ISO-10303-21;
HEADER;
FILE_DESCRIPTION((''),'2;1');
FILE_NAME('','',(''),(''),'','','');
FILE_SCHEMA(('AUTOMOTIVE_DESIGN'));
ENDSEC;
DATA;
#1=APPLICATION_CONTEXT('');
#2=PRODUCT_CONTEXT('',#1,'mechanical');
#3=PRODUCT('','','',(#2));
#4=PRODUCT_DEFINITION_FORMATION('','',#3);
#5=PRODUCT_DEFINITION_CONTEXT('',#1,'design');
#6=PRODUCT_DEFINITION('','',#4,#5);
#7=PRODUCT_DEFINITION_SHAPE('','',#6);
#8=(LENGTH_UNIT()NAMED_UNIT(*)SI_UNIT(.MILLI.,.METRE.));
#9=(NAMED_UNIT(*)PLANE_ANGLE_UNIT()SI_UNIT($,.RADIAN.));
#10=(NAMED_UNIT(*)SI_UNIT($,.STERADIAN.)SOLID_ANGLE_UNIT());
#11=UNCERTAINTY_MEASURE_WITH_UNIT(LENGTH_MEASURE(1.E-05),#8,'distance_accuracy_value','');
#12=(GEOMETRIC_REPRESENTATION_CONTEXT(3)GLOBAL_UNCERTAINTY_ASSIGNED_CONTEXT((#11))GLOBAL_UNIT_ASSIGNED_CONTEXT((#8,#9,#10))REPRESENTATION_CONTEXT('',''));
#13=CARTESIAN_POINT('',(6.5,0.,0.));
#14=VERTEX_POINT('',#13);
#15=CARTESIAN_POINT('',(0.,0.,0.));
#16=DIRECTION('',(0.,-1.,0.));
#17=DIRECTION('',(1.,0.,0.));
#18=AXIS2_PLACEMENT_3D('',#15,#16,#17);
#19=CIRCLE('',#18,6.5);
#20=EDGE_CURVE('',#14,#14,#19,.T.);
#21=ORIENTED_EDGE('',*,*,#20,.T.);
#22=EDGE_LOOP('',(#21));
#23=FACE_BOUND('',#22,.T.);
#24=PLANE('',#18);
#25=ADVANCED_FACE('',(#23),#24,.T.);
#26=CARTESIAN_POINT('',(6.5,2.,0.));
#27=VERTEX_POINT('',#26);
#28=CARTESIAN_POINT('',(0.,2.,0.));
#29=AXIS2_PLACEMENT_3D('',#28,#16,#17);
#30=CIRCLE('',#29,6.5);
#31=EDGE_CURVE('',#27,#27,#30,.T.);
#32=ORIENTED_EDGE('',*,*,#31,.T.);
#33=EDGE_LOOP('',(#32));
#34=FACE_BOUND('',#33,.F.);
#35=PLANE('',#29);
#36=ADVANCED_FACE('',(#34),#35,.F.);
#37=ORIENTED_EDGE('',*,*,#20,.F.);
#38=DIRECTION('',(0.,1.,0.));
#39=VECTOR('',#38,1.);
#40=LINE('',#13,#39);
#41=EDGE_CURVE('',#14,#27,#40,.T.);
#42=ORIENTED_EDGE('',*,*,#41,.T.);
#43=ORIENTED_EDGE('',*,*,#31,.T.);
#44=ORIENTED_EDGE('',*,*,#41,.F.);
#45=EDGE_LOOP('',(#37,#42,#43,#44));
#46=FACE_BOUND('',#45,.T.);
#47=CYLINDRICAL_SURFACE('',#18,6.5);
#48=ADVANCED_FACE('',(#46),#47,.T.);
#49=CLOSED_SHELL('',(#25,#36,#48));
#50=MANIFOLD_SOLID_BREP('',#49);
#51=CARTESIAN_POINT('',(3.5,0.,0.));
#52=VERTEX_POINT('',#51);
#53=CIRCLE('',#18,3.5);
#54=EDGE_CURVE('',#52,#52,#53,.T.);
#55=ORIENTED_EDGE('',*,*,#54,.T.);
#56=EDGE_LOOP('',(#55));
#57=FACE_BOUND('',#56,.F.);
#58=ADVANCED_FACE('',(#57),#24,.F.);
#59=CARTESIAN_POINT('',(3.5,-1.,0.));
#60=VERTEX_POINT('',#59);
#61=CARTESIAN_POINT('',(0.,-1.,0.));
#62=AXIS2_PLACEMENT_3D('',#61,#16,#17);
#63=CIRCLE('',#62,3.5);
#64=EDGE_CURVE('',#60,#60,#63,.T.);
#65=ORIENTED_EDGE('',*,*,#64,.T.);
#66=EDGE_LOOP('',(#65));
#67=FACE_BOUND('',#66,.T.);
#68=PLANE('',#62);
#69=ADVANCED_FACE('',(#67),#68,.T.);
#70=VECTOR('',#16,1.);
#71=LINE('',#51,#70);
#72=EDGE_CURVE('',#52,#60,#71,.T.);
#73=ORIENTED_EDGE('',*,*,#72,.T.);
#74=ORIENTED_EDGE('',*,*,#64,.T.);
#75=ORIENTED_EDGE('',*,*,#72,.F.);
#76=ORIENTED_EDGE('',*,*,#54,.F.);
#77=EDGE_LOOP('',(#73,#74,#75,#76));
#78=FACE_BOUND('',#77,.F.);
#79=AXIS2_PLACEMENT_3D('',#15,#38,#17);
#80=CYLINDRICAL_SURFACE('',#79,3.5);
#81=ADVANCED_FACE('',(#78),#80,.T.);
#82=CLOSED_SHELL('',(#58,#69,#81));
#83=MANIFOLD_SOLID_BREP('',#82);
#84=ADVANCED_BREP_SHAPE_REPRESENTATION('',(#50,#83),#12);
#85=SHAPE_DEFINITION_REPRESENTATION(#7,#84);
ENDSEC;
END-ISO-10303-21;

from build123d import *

# Parameters (mm, degrees)
F0_R     = 6.5
F0_R_2   = 3.5
F1_DEPTH = 2
F2_DEPTH = 1


with BuildPart() as f1:
    # F0 (on Front) → F1 (new body)
    with BuildSketch(Plane.XZ):
        Circle(F0_R)
        Circle(F0_R_2, mode=Mode.SUBTRACT)
        Circle(F0_R_2)
    extrude(amount=-F1_DEPTH)


with BuildPart() as f2:
    # F0 (on Front) → F2 (new body)
    with BuildSketch(Plane.XZ):
        Circle(F0_R_2)
    extrude(amount=F2_DEPTH)


solid = Compound([f1.part, f2.part])
